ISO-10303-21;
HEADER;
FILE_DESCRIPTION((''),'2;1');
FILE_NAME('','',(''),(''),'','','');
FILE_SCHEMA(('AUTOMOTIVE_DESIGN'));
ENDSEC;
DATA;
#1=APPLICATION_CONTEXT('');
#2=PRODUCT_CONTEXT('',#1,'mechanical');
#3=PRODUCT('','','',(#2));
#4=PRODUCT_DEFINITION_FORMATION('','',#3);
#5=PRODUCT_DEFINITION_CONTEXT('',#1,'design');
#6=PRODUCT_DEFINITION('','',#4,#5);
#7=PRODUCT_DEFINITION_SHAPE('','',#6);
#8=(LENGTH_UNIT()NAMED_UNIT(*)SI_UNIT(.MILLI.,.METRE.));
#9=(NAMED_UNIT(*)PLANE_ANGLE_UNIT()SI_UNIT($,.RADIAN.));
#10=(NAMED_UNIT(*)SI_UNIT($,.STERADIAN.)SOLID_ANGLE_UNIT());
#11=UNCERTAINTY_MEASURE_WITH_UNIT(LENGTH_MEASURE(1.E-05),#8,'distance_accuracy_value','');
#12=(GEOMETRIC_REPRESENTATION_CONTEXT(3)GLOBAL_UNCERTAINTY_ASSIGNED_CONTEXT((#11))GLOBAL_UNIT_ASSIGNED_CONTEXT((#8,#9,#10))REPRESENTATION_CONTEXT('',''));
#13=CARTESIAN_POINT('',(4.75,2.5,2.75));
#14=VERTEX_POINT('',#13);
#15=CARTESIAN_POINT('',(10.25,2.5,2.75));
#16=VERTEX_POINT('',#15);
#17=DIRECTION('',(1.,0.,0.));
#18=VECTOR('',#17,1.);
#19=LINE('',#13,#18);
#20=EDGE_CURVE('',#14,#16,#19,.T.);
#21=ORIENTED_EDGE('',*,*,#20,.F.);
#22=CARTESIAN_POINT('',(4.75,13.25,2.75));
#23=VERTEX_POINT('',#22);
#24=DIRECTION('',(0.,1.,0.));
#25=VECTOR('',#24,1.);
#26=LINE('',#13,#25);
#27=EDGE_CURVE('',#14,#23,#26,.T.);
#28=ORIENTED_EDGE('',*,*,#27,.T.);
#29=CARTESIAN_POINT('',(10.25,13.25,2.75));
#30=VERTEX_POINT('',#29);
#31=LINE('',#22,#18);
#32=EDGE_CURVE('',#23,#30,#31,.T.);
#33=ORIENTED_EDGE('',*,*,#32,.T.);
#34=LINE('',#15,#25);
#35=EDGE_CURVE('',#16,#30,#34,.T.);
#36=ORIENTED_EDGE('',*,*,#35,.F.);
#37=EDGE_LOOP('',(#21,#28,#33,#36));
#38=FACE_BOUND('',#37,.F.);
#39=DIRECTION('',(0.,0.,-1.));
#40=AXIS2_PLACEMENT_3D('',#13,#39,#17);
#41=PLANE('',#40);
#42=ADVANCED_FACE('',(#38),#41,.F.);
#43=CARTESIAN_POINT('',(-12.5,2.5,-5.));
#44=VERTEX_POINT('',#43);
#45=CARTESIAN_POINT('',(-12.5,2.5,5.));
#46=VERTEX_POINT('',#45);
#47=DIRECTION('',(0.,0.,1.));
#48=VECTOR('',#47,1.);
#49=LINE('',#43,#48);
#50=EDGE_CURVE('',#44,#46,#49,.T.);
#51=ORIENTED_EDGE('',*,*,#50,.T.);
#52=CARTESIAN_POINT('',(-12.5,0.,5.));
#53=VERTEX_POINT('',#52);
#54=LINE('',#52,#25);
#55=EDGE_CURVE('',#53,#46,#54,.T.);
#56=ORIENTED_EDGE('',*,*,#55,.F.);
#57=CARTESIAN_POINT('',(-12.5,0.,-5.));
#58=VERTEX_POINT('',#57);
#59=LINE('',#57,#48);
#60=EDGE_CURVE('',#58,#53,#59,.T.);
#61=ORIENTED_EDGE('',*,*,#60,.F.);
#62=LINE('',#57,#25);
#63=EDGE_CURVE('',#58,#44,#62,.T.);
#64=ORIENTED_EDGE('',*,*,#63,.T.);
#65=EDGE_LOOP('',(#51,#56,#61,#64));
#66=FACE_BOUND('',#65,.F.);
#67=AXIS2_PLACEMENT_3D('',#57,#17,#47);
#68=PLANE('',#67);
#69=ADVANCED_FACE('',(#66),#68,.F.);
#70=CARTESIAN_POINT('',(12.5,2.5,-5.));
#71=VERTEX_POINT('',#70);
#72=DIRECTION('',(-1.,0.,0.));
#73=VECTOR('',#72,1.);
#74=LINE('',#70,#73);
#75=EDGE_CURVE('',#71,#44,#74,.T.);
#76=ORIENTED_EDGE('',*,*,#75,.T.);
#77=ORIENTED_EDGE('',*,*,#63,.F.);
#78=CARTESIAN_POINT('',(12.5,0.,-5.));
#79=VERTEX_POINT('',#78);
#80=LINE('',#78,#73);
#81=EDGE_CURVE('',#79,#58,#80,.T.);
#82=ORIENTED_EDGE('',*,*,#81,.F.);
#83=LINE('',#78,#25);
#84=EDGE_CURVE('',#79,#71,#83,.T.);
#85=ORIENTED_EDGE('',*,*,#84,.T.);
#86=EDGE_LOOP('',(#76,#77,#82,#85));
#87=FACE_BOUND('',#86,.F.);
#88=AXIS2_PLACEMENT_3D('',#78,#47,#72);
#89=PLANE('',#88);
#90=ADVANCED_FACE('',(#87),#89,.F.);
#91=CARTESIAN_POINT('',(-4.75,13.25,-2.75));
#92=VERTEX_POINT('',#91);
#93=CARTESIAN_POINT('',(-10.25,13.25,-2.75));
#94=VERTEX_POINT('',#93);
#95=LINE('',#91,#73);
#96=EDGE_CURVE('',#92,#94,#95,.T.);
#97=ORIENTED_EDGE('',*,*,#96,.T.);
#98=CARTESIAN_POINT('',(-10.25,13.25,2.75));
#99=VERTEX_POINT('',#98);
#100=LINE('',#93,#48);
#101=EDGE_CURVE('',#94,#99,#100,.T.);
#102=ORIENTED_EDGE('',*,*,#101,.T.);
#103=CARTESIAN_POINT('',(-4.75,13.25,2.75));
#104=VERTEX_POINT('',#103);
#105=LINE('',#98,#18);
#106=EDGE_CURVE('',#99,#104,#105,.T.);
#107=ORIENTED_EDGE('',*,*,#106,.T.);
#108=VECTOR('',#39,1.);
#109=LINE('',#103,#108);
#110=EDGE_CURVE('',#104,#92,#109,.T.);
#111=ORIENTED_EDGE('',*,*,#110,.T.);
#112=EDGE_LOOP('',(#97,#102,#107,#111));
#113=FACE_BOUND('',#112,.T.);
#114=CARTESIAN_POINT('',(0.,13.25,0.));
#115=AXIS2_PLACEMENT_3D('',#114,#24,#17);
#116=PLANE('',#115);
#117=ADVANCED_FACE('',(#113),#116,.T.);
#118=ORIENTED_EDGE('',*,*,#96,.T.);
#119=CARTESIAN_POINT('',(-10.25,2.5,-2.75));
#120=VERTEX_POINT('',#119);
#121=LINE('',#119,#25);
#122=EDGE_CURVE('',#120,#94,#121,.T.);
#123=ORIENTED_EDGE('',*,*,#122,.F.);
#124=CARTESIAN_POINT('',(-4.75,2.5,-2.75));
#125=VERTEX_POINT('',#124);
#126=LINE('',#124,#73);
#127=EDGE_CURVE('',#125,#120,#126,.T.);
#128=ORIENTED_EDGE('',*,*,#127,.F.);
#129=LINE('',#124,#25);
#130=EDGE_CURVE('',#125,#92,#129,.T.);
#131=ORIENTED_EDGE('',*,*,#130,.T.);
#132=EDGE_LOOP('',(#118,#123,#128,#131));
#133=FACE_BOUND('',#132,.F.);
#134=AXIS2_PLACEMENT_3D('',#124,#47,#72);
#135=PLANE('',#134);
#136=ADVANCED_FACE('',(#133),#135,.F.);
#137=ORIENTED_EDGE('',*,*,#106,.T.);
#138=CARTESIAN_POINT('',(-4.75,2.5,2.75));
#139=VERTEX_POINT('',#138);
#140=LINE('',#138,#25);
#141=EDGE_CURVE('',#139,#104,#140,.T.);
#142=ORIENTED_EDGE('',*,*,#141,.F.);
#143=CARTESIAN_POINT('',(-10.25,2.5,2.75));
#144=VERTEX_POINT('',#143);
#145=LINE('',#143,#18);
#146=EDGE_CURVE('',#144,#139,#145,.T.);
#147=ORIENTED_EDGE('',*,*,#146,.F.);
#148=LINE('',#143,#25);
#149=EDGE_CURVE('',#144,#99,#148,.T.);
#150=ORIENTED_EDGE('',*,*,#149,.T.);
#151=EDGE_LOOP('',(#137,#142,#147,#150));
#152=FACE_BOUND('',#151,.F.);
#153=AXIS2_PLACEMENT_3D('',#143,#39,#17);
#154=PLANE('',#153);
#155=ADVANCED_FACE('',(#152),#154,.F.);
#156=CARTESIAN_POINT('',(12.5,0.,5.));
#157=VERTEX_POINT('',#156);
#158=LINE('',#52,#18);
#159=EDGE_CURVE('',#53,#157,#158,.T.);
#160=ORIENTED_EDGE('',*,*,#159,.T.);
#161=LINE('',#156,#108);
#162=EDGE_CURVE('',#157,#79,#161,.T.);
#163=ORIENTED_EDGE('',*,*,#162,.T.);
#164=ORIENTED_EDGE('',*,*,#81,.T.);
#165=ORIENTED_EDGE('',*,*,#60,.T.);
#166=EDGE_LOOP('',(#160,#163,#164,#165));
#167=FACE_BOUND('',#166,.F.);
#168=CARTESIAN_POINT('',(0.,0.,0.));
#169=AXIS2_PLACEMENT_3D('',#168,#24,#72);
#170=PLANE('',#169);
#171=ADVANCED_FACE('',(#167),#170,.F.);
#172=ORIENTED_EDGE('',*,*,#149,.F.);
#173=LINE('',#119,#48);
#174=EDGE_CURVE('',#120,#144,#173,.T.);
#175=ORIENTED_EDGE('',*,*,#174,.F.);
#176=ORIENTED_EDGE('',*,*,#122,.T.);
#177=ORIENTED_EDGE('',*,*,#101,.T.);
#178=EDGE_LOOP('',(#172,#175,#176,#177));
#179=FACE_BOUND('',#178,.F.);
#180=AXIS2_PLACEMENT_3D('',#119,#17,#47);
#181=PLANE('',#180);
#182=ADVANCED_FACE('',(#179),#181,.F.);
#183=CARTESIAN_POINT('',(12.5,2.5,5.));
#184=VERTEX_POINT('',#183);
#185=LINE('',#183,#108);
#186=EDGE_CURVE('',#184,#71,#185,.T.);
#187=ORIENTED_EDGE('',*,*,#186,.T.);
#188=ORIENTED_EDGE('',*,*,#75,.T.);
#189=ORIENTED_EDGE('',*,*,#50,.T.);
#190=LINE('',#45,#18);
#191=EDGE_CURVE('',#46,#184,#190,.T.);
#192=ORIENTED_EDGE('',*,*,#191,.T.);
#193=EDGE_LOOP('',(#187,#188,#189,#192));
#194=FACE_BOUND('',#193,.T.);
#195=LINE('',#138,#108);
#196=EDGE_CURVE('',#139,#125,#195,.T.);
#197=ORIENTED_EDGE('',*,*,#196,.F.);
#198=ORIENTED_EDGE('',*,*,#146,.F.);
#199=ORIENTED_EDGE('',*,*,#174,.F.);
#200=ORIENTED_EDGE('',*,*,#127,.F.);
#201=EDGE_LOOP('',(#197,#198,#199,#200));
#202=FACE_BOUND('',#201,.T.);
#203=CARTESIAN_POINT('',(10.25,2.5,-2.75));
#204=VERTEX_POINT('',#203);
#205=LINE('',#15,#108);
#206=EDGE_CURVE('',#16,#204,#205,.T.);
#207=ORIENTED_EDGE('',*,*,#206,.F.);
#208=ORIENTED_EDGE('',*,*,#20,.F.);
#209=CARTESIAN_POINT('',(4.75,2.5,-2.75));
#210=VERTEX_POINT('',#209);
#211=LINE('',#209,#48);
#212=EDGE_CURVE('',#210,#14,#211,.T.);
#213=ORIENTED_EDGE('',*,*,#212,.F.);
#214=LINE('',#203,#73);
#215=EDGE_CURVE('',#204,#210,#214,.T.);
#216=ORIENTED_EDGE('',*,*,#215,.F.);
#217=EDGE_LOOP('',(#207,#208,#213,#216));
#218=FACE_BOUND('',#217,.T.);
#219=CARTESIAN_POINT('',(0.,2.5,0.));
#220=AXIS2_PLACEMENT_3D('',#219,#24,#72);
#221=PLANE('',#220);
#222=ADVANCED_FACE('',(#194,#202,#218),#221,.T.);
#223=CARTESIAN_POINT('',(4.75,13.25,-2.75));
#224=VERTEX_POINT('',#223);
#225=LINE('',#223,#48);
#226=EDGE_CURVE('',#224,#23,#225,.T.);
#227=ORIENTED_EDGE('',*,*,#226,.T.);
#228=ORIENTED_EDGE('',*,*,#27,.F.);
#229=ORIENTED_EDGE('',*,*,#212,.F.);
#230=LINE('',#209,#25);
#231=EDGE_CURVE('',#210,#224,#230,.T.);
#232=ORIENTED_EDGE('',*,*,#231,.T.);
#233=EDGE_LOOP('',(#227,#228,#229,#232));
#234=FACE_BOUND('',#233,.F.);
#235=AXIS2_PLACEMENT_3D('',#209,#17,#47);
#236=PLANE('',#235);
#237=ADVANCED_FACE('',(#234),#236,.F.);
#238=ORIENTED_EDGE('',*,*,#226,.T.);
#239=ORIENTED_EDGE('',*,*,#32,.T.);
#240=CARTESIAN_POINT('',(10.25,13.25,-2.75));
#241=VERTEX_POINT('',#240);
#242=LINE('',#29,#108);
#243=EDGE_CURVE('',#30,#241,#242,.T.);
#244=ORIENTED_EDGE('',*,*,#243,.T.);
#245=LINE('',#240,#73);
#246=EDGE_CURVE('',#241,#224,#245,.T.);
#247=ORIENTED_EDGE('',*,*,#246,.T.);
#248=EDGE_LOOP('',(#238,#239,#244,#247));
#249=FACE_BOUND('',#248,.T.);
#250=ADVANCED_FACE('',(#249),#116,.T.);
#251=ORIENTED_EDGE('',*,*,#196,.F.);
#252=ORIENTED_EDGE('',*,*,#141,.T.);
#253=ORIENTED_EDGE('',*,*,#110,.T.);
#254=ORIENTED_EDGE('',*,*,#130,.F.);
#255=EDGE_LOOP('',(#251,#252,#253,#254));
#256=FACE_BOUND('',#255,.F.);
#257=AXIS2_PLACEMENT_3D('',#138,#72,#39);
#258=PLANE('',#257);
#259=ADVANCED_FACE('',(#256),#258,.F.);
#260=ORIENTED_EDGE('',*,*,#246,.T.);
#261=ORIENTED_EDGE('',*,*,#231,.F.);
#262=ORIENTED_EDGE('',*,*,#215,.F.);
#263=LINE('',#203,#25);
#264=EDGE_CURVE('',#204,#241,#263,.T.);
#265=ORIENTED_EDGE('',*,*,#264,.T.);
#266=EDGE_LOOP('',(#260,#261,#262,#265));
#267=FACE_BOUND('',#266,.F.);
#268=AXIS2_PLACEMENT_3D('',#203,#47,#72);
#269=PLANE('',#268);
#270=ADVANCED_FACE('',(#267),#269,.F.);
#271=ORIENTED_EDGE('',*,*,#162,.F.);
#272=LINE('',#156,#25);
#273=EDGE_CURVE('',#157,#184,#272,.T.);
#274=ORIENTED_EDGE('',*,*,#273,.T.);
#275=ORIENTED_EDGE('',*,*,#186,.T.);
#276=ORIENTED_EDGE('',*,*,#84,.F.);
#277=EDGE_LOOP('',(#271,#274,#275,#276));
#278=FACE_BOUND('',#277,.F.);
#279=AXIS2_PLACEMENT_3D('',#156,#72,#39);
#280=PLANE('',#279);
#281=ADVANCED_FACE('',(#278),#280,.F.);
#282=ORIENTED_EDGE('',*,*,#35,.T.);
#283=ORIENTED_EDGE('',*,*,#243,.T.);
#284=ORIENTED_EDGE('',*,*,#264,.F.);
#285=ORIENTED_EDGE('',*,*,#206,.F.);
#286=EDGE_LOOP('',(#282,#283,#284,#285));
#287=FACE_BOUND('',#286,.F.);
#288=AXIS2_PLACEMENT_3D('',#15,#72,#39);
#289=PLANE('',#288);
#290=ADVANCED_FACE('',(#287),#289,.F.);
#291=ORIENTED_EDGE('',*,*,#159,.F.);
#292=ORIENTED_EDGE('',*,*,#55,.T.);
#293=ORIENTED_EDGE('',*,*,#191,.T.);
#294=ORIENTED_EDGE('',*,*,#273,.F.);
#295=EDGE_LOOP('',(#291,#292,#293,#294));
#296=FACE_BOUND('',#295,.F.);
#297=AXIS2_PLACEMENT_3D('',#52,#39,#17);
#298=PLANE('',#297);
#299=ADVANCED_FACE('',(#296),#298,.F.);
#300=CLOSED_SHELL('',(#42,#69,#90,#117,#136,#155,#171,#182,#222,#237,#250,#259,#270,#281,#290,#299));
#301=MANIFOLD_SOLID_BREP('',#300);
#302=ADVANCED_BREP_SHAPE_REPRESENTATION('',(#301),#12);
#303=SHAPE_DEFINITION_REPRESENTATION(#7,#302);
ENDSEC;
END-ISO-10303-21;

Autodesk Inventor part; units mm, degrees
ref_plane "YZ Plane" through (0, 0, 0) normal (1, 0, 0) x (0, 1, 0)
ref_plane "XZ Plane" through (0, 0, 0) normal (0, 1, 0) x (-1, 0, 0)
ref_plane "XY Plane" through (0, 0, 0) normal (0, 0, 1) x (1, 0, 0)
sketch "Sketch1" plane through (0, 0, 0) normal (0, 1, 0) x (-1, 0, 0)
  line L0 (12.5, 5) -> (-12.5, 5)
  line L1 (-12.5, 5) -> (-12.5, -5)
  line L2 (-12.5, -5) -> (12.5, -5)
  line L3 (12.5, -5) -> (12.5, 5)
  point P0 (0, 0)
  dimension "d0" = 25
  dimension "d1" = 10
  dimension "d2" = 5
  dimension "d3" = 12.5
extrude "Extrusion1" add sketch "Sketch1" along normal blind 2.5
sketch "Sketch2" plane through (0, 2.5, 0) normal (0, 1, 0) x (1, 0, 0)
  line L0 (-10.25, -2.75) -> (-4.75, -2.75)
  line L1 (-4.75, -2.75) -> (-4.75, 2.75)
  line L2 (-4.75, 2.75) -> (-10.25, 2.75)
  line L3 (-10.25, 2.75) -> (-10.25, -2.75)
  line L4 (4.75, -2.75) -> (10.25, -2.75)
  line L5 (10.25, -2.75) -> (10.25, 2.75)
  line L6 (10.25, 2.75) -> (4.75, 2.75)
  line L7 (4.75, 2.75) -> (4.75, -2.75)
  line L8 (12.5, 5) -> (-12.5, 5) projected
  line L9 (12.5, -5) -> (12.5, 5) projected
  line L10 (-12.5, 5) -> (-12.5, -5) projected
  point P0 (0, 0)
  dimension "d6" = 2.25
  dimension "d7" = 2.25
  dimension "d8" = 2.25
  dimension "d9" = 2.25
  dimension "d10" = 5.5
  dimension "d11" = 5.5
  dimension "d12" = 5.5
  dimension "d13" = 5.5
extrude "Extrusion2" add sketch "Sketch2" along normal blind 10.75
properties part number "Keyboard_Prong"
